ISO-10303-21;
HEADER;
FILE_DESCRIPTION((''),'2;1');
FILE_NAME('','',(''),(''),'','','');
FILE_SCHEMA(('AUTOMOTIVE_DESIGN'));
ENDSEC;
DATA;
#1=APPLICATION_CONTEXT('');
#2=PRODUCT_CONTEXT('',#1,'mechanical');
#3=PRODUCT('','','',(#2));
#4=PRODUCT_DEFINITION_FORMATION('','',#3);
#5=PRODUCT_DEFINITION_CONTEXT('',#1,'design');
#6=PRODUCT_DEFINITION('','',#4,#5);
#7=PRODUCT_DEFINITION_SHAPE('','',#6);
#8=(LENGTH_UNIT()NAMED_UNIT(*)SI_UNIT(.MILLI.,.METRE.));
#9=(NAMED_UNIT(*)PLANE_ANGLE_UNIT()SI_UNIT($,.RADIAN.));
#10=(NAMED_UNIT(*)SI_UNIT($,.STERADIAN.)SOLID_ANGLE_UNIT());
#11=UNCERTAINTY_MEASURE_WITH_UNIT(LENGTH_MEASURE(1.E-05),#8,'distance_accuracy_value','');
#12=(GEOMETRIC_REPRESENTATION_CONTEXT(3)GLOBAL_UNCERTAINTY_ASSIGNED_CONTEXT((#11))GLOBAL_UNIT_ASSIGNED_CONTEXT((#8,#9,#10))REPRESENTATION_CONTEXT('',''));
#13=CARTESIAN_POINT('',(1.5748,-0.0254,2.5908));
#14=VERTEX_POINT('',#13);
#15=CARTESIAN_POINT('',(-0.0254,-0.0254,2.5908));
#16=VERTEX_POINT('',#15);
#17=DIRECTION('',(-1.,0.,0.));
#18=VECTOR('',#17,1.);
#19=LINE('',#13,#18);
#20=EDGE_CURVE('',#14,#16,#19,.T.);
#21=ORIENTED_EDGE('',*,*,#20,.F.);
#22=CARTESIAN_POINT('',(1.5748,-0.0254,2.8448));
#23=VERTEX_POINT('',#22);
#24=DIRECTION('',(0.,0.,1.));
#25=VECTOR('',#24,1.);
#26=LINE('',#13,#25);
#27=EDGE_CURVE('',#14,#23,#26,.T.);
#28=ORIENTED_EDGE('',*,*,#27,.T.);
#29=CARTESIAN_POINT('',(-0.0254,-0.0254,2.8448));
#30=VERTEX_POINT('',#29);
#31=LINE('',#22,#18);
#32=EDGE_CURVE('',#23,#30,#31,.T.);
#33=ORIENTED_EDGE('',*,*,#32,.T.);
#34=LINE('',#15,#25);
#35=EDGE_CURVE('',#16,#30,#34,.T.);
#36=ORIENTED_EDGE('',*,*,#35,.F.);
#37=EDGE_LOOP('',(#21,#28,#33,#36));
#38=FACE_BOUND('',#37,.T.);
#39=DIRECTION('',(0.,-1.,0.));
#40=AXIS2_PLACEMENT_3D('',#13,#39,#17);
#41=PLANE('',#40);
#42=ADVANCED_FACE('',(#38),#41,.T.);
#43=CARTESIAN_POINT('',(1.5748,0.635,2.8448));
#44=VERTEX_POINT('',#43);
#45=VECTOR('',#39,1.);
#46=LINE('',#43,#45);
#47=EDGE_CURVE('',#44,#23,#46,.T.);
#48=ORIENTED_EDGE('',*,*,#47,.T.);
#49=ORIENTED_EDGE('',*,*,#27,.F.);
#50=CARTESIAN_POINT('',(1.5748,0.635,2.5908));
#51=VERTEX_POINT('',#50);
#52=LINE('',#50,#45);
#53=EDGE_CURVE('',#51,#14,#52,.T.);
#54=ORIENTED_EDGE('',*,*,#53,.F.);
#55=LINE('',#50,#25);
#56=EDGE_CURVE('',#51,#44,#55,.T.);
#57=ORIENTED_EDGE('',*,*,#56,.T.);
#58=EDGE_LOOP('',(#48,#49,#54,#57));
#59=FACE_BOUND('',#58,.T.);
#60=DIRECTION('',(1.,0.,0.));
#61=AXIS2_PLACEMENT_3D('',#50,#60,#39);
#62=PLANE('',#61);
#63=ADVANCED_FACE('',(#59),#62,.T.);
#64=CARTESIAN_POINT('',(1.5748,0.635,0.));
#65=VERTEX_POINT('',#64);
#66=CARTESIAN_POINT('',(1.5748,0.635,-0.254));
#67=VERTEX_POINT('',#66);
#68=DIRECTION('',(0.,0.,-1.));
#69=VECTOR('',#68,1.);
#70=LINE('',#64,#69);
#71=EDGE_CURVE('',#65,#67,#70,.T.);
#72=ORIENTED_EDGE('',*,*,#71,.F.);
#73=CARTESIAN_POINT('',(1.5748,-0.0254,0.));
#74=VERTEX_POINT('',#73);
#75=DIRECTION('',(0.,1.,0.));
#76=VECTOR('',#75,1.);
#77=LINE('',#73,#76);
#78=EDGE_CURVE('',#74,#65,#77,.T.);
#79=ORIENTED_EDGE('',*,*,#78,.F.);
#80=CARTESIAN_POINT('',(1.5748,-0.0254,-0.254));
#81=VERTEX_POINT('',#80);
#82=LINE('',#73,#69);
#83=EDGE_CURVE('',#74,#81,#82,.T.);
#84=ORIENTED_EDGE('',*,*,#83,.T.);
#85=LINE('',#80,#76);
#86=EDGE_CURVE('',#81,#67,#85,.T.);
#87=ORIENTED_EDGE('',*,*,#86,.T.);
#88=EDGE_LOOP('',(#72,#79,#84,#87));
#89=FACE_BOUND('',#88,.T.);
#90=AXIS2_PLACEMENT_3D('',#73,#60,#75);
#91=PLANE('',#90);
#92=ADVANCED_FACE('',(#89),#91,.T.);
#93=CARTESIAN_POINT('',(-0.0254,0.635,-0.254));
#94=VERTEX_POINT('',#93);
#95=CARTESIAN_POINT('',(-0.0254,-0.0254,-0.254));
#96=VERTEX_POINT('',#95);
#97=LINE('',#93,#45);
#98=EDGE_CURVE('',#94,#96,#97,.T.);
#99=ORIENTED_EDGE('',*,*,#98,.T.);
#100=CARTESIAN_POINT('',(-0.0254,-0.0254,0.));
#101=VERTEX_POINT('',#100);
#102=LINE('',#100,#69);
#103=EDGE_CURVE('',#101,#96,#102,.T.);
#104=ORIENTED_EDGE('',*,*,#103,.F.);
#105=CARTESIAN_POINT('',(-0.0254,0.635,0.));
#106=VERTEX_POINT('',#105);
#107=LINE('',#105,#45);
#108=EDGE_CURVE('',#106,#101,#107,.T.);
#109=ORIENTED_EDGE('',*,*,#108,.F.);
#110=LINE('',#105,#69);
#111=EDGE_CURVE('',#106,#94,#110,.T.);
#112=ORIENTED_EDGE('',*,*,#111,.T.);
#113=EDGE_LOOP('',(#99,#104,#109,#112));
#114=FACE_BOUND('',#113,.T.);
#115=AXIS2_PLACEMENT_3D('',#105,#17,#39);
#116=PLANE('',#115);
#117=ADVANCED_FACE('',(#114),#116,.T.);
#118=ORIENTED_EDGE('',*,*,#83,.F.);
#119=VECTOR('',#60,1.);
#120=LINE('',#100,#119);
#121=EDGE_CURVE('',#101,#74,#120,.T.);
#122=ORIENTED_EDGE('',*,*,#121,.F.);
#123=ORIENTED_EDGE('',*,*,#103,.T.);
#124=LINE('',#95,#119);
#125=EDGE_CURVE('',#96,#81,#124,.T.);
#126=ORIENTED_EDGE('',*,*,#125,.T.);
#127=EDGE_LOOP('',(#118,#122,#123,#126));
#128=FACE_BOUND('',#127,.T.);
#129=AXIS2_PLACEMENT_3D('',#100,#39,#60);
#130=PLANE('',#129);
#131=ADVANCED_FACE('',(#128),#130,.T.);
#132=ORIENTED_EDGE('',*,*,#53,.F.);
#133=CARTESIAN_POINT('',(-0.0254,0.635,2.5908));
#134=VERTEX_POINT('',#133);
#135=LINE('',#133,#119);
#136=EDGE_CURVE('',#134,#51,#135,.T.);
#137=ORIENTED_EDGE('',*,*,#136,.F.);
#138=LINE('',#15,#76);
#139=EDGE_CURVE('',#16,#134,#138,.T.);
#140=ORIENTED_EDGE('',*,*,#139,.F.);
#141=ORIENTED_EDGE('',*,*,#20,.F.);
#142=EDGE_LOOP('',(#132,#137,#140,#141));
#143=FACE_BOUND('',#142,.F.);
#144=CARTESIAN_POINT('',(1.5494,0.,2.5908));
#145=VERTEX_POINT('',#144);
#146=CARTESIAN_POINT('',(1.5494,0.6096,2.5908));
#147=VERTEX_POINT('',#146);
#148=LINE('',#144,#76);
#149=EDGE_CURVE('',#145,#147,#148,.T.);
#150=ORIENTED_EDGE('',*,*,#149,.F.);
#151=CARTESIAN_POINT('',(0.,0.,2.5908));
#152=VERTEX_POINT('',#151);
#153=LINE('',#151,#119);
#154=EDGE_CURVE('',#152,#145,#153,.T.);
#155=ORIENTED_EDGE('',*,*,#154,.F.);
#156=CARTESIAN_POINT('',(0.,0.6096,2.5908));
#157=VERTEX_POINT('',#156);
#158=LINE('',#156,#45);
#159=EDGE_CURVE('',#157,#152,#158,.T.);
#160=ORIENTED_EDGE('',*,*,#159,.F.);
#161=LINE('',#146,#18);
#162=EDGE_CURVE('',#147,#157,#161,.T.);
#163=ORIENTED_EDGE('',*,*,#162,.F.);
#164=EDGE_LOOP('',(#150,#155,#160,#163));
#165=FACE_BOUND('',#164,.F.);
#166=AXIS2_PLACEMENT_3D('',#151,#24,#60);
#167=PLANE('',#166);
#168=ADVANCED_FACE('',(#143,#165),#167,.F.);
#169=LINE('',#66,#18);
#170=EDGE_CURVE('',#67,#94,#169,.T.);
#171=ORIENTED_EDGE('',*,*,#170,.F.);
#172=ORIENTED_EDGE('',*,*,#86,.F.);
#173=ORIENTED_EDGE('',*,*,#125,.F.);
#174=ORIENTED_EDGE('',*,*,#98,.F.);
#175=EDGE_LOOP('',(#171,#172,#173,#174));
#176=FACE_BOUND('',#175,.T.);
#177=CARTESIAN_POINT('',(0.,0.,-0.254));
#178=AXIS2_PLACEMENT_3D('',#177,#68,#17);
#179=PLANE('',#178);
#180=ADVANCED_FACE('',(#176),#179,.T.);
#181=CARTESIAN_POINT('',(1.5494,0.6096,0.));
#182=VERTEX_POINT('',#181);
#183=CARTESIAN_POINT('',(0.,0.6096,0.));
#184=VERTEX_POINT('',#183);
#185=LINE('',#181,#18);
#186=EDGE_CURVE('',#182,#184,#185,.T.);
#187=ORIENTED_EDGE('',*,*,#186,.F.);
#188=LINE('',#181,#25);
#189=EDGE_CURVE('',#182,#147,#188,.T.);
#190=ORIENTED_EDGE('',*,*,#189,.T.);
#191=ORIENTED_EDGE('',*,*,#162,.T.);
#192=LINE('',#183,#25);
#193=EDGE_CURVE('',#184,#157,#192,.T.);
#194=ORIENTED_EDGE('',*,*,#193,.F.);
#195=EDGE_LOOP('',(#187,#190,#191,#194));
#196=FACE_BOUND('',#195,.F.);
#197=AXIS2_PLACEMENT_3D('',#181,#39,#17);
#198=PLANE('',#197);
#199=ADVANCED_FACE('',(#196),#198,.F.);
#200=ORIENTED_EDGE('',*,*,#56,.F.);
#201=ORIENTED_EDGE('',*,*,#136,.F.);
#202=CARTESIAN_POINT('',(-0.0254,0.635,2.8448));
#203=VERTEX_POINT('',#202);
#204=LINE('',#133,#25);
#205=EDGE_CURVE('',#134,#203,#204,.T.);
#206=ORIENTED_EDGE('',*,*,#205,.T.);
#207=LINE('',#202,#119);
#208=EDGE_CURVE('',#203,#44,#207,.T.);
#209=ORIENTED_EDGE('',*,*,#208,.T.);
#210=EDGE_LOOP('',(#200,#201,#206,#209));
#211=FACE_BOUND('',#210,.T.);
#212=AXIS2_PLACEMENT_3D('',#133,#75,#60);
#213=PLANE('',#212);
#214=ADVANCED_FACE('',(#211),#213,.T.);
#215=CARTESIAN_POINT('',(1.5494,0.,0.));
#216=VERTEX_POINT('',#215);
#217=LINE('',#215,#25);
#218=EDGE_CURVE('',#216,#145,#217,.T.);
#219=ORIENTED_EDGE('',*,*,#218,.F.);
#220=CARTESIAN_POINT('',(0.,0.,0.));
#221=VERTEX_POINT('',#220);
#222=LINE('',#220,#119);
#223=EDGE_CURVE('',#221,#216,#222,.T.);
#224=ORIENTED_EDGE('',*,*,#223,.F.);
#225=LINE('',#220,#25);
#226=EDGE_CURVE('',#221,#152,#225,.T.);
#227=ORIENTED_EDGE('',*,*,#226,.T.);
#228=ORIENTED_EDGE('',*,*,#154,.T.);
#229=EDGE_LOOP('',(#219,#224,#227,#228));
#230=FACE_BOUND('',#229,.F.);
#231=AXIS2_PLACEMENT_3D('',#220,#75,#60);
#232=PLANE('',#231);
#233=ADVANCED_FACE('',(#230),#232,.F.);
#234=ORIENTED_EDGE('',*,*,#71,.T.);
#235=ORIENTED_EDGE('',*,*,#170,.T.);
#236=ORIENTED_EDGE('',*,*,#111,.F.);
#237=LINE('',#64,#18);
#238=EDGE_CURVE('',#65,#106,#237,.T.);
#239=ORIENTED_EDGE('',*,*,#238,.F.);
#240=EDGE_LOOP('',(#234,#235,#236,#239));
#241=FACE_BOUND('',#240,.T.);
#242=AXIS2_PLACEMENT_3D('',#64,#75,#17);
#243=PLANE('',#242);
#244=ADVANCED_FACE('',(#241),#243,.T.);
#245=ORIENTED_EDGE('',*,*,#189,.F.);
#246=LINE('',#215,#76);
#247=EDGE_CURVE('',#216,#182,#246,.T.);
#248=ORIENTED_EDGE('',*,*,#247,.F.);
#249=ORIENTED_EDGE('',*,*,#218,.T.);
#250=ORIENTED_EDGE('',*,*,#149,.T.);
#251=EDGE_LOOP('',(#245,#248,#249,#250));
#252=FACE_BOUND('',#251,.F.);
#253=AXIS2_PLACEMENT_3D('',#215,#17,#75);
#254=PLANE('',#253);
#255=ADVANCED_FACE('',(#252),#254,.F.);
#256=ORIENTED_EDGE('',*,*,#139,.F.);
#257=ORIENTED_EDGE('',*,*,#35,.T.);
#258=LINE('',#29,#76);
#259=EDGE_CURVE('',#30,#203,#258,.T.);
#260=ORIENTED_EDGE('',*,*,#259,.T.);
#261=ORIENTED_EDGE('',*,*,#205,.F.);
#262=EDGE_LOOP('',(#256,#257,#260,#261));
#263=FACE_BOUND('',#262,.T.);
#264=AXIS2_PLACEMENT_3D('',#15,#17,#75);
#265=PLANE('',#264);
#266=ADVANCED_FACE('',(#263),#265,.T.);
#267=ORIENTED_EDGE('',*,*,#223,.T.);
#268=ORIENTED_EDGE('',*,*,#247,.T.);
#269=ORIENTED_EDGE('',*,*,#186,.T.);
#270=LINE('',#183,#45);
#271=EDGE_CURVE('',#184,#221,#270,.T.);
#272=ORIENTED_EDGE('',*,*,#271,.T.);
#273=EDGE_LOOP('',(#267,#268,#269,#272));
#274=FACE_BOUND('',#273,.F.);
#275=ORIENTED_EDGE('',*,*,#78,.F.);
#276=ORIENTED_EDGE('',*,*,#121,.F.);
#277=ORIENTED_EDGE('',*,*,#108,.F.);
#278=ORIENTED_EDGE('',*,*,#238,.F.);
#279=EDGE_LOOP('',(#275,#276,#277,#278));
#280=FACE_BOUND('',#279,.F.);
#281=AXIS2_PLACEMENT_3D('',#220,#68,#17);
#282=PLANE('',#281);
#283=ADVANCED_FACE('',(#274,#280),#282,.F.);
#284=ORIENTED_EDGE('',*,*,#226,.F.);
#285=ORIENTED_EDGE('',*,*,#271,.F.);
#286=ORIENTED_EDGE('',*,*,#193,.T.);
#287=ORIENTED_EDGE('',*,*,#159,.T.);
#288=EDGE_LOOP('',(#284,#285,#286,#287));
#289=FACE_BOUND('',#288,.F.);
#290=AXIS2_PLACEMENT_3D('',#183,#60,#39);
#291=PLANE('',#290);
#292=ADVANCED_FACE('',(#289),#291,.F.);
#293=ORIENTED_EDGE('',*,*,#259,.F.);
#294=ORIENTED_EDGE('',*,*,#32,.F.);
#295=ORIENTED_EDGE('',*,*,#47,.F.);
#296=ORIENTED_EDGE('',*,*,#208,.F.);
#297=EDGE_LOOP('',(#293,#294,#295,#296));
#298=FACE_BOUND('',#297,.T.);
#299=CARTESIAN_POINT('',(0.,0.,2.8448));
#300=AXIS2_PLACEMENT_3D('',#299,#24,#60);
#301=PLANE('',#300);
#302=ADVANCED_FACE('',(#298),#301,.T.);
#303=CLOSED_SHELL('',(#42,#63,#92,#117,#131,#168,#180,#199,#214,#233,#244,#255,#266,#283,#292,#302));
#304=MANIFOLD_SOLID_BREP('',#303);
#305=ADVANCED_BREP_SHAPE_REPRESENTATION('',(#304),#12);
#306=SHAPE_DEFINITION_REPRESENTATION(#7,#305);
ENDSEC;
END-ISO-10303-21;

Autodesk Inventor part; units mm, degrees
ref_plane "YZ Plane" through (0, 0, 0) normal (1, 0, 0) x (0, 1, 0)
ref_plane "XZ Plane" through (0, 0, 0) normal (0, 1, 0) x (-1, 0, 0)
ref_plane "XY Plane" through (0, 0, 0) normal (0, 0, 1) x (1, 0, 0)
sketch "Sketch1" plane through (0, 0, 0) normal (0, 0, 1) x (1, 0, 0)
  line L0 (0, 0) -> (1.5494, 0)
  line L1 (1.5494, 0) -> (1.5494, 0.6096)
  line L2 (1.5494, 0.6096) -> (0, 0.6096)
  line L3 (0, 0.6096) -> (0, 0)
  dimension "d0" = 0.6096
  dimension "d1" = 1.5494
extrude "Extrusion1" add sketch "Sketch1" along normal blind 2.5908
sketch "Sketch2" plane through (0, 0, 2.5908) normal (0, 0, 1) x (1, 0, 0)
  line L0 (-0.0254, 0.635) -> (1.5748, 0.635)
  line L1 (1.5748, 0.635) -> (1.5748, -0.0254)
  line L2 (1.5748, -0.0254) -> (-0.0254, -0.0254)
  line L3 (-0.0254, -0.0254) -> (-0.0254, 0.635)
  line L4 (1.5494, 0) -> (1.5494, 0.6096) projected
  line L5 (0, 0.6096) -> (0, 0) projected
  line L6 (1.5494, 0.6096) -> (0, 0.6096) projected
  line L7 (0, 0) -> (1.5494, 0) projected
  dimension "d4" = 0.0254
  dimension "d5" = 0.0254
  dimension "d6" = 0.0254
  dimension "d7" = 0.0254
extrude "Extrusion2" add sketch "Sketch2" along normal blind 0.254 contours L0 L1 L2 L3 | L7 L5 L6 L4
sketch "Sketch3" plane through (0, 0, 0) normal (0, 0, -1) x (-1, 0, 0)
  line L0 (0.0254, -0.0254) -> (-1.5748, -0.0254)
  line L1 (-1.5748, -0.0254) -> (-1.5748, 0.635)
  line L2 (-1.5748, 0.635) -> (0.0254, 0.635)
  line L3 (0.0254, 0.635) -> (0.0254, -0.0254)
  point P0 (0, 0)
extrude "Extrusion3" add sketch "Sketch3" along normal blind 0.254
properties part number "s174 Resistor"
